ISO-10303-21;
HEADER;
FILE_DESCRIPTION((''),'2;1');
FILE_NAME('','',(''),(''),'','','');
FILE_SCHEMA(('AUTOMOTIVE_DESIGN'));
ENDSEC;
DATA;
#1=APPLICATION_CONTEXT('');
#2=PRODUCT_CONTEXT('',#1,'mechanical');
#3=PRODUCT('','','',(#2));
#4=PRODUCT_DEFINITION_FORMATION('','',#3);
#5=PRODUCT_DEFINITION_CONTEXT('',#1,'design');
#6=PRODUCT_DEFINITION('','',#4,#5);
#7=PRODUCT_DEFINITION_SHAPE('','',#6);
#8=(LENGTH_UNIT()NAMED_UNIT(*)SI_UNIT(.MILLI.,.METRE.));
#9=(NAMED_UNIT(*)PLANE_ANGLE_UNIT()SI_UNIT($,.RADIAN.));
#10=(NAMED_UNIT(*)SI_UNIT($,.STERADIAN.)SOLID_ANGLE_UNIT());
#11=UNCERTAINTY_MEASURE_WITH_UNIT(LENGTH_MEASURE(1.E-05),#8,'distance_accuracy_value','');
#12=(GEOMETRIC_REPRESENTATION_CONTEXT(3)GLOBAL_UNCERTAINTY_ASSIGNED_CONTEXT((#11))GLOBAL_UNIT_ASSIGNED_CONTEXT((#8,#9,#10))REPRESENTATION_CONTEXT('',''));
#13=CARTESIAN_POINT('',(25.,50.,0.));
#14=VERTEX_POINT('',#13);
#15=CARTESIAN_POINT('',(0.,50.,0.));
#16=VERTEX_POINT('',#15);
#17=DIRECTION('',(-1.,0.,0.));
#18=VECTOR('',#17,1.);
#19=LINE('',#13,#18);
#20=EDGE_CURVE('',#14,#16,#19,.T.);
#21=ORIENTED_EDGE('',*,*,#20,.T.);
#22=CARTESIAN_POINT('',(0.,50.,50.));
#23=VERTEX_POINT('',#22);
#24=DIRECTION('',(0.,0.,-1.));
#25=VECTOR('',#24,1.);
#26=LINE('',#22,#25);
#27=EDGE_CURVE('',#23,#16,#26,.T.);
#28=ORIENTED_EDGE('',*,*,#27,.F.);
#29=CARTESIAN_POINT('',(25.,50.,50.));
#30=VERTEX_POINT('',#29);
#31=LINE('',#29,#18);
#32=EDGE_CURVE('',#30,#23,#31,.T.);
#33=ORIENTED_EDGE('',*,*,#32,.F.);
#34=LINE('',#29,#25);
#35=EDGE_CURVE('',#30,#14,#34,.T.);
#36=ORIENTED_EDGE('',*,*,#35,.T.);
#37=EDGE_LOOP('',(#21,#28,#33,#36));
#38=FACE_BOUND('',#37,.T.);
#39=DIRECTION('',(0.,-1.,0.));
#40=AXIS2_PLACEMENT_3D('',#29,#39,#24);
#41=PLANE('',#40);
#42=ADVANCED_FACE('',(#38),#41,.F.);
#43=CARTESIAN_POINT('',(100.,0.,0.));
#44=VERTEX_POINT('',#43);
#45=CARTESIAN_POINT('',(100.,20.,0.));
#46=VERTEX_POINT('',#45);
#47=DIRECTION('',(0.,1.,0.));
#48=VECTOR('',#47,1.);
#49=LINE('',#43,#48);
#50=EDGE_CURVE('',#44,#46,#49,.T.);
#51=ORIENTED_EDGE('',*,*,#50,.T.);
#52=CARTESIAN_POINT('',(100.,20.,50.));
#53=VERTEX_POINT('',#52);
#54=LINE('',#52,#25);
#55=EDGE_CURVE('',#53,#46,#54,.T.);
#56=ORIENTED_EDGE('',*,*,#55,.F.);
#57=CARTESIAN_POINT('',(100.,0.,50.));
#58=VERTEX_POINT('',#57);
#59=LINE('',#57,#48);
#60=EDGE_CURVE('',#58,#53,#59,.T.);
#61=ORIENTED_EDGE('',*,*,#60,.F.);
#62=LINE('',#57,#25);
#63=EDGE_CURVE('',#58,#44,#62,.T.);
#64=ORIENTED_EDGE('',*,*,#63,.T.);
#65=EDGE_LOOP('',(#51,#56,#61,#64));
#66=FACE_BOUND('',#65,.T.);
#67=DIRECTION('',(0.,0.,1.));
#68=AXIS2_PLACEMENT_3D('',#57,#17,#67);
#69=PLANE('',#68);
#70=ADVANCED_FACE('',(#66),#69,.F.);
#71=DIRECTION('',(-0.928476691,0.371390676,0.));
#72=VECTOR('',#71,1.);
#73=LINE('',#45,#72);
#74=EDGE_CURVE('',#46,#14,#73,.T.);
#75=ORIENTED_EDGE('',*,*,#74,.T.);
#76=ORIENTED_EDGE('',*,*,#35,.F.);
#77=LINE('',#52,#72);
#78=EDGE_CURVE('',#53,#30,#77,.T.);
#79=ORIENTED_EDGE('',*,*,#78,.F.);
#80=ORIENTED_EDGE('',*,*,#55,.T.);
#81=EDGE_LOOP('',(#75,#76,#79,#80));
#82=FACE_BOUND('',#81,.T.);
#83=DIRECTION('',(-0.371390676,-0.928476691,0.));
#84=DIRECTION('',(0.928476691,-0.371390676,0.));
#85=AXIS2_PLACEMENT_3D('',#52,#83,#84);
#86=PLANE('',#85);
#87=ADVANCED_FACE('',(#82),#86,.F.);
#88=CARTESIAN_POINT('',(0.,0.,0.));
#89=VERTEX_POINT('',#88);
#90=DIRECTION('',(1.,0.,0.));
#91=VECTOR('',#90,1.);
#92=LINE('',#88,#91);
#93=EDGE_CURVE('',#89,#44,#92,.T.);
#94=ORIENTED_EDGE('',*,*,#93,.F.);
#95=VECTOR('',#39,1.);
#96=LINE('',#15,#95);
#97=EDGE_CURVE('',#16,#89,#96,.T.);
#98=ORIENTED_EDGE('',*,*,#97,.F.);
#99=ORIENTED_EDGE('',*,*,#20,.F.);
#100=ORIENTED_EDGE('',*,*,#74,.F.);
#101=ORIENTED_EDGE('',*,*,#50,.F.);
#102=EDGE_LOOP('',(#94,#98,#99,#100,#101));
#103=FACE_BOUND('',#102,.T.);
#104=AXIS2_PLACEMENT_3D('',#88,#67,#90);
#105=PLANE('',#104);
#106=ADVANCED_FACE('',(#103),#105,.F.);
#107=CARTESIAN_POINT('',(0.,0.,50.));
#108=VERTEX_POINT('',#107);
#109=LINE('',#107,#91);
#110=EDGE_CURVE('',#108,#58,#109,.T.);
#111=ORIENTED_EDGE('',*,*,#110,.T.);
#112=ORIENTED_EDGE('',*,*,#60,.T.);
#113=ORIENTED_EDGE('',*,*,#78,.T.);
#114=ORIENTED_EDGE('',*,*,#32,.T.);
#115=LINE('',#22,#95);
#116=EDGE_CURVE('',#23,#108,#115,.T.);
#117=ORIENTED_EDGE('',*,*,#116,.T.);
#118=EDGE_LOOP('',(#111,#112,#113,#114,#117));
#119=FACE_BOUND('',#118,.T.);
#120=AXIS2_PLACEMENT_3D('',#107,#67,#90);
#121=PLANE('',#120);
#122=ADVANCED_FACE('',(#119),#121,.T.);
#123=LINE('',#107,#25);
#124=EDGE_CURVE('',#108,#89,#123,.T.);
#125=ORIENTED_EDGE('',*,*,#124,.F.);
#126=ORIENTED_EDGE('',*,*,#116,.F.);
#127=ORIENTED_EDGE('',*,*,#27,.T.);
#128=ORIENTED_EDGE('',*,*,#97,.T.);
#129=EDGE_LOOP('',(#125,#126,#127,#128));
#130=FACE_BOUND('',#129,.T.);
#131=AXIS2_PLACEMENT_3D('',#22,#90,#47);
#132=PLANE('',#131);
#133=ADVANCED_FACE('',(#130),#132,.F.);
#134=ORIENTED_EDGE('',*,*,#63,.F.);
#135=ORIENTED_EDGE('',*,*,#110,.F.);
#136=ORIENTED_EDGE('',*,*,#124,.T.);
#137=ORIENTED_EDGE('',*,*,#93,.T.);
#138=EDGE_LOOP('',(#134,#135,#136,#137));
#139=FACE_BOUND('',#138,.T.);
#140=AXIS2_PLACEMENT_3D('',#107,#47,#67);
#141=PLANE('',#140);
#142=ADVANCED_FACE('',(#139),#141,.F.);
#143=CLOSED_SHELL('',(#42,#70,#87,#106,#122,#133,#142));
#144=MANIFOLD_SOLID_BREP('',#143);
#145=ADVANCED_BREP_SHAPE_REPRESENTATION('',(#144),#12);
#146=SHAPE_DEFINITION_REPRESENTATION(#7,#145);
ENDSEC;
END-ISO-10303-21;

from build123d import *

# Parameters (mm, degrees)
BOSS_EXTRUDE1_DEPTH = 50


with BuildPart() as part:
    # Sketch1 → Boss-Extrude1 (new body)
    with BuildSketch(Plane.XY):
        Polygon((0, 0), (100, 0), (100, 20), (25, 50), (0, 50), align=None)
    extrude(amount=BOSS_EXTRUDE1_DEPTH)


solid = part.part
